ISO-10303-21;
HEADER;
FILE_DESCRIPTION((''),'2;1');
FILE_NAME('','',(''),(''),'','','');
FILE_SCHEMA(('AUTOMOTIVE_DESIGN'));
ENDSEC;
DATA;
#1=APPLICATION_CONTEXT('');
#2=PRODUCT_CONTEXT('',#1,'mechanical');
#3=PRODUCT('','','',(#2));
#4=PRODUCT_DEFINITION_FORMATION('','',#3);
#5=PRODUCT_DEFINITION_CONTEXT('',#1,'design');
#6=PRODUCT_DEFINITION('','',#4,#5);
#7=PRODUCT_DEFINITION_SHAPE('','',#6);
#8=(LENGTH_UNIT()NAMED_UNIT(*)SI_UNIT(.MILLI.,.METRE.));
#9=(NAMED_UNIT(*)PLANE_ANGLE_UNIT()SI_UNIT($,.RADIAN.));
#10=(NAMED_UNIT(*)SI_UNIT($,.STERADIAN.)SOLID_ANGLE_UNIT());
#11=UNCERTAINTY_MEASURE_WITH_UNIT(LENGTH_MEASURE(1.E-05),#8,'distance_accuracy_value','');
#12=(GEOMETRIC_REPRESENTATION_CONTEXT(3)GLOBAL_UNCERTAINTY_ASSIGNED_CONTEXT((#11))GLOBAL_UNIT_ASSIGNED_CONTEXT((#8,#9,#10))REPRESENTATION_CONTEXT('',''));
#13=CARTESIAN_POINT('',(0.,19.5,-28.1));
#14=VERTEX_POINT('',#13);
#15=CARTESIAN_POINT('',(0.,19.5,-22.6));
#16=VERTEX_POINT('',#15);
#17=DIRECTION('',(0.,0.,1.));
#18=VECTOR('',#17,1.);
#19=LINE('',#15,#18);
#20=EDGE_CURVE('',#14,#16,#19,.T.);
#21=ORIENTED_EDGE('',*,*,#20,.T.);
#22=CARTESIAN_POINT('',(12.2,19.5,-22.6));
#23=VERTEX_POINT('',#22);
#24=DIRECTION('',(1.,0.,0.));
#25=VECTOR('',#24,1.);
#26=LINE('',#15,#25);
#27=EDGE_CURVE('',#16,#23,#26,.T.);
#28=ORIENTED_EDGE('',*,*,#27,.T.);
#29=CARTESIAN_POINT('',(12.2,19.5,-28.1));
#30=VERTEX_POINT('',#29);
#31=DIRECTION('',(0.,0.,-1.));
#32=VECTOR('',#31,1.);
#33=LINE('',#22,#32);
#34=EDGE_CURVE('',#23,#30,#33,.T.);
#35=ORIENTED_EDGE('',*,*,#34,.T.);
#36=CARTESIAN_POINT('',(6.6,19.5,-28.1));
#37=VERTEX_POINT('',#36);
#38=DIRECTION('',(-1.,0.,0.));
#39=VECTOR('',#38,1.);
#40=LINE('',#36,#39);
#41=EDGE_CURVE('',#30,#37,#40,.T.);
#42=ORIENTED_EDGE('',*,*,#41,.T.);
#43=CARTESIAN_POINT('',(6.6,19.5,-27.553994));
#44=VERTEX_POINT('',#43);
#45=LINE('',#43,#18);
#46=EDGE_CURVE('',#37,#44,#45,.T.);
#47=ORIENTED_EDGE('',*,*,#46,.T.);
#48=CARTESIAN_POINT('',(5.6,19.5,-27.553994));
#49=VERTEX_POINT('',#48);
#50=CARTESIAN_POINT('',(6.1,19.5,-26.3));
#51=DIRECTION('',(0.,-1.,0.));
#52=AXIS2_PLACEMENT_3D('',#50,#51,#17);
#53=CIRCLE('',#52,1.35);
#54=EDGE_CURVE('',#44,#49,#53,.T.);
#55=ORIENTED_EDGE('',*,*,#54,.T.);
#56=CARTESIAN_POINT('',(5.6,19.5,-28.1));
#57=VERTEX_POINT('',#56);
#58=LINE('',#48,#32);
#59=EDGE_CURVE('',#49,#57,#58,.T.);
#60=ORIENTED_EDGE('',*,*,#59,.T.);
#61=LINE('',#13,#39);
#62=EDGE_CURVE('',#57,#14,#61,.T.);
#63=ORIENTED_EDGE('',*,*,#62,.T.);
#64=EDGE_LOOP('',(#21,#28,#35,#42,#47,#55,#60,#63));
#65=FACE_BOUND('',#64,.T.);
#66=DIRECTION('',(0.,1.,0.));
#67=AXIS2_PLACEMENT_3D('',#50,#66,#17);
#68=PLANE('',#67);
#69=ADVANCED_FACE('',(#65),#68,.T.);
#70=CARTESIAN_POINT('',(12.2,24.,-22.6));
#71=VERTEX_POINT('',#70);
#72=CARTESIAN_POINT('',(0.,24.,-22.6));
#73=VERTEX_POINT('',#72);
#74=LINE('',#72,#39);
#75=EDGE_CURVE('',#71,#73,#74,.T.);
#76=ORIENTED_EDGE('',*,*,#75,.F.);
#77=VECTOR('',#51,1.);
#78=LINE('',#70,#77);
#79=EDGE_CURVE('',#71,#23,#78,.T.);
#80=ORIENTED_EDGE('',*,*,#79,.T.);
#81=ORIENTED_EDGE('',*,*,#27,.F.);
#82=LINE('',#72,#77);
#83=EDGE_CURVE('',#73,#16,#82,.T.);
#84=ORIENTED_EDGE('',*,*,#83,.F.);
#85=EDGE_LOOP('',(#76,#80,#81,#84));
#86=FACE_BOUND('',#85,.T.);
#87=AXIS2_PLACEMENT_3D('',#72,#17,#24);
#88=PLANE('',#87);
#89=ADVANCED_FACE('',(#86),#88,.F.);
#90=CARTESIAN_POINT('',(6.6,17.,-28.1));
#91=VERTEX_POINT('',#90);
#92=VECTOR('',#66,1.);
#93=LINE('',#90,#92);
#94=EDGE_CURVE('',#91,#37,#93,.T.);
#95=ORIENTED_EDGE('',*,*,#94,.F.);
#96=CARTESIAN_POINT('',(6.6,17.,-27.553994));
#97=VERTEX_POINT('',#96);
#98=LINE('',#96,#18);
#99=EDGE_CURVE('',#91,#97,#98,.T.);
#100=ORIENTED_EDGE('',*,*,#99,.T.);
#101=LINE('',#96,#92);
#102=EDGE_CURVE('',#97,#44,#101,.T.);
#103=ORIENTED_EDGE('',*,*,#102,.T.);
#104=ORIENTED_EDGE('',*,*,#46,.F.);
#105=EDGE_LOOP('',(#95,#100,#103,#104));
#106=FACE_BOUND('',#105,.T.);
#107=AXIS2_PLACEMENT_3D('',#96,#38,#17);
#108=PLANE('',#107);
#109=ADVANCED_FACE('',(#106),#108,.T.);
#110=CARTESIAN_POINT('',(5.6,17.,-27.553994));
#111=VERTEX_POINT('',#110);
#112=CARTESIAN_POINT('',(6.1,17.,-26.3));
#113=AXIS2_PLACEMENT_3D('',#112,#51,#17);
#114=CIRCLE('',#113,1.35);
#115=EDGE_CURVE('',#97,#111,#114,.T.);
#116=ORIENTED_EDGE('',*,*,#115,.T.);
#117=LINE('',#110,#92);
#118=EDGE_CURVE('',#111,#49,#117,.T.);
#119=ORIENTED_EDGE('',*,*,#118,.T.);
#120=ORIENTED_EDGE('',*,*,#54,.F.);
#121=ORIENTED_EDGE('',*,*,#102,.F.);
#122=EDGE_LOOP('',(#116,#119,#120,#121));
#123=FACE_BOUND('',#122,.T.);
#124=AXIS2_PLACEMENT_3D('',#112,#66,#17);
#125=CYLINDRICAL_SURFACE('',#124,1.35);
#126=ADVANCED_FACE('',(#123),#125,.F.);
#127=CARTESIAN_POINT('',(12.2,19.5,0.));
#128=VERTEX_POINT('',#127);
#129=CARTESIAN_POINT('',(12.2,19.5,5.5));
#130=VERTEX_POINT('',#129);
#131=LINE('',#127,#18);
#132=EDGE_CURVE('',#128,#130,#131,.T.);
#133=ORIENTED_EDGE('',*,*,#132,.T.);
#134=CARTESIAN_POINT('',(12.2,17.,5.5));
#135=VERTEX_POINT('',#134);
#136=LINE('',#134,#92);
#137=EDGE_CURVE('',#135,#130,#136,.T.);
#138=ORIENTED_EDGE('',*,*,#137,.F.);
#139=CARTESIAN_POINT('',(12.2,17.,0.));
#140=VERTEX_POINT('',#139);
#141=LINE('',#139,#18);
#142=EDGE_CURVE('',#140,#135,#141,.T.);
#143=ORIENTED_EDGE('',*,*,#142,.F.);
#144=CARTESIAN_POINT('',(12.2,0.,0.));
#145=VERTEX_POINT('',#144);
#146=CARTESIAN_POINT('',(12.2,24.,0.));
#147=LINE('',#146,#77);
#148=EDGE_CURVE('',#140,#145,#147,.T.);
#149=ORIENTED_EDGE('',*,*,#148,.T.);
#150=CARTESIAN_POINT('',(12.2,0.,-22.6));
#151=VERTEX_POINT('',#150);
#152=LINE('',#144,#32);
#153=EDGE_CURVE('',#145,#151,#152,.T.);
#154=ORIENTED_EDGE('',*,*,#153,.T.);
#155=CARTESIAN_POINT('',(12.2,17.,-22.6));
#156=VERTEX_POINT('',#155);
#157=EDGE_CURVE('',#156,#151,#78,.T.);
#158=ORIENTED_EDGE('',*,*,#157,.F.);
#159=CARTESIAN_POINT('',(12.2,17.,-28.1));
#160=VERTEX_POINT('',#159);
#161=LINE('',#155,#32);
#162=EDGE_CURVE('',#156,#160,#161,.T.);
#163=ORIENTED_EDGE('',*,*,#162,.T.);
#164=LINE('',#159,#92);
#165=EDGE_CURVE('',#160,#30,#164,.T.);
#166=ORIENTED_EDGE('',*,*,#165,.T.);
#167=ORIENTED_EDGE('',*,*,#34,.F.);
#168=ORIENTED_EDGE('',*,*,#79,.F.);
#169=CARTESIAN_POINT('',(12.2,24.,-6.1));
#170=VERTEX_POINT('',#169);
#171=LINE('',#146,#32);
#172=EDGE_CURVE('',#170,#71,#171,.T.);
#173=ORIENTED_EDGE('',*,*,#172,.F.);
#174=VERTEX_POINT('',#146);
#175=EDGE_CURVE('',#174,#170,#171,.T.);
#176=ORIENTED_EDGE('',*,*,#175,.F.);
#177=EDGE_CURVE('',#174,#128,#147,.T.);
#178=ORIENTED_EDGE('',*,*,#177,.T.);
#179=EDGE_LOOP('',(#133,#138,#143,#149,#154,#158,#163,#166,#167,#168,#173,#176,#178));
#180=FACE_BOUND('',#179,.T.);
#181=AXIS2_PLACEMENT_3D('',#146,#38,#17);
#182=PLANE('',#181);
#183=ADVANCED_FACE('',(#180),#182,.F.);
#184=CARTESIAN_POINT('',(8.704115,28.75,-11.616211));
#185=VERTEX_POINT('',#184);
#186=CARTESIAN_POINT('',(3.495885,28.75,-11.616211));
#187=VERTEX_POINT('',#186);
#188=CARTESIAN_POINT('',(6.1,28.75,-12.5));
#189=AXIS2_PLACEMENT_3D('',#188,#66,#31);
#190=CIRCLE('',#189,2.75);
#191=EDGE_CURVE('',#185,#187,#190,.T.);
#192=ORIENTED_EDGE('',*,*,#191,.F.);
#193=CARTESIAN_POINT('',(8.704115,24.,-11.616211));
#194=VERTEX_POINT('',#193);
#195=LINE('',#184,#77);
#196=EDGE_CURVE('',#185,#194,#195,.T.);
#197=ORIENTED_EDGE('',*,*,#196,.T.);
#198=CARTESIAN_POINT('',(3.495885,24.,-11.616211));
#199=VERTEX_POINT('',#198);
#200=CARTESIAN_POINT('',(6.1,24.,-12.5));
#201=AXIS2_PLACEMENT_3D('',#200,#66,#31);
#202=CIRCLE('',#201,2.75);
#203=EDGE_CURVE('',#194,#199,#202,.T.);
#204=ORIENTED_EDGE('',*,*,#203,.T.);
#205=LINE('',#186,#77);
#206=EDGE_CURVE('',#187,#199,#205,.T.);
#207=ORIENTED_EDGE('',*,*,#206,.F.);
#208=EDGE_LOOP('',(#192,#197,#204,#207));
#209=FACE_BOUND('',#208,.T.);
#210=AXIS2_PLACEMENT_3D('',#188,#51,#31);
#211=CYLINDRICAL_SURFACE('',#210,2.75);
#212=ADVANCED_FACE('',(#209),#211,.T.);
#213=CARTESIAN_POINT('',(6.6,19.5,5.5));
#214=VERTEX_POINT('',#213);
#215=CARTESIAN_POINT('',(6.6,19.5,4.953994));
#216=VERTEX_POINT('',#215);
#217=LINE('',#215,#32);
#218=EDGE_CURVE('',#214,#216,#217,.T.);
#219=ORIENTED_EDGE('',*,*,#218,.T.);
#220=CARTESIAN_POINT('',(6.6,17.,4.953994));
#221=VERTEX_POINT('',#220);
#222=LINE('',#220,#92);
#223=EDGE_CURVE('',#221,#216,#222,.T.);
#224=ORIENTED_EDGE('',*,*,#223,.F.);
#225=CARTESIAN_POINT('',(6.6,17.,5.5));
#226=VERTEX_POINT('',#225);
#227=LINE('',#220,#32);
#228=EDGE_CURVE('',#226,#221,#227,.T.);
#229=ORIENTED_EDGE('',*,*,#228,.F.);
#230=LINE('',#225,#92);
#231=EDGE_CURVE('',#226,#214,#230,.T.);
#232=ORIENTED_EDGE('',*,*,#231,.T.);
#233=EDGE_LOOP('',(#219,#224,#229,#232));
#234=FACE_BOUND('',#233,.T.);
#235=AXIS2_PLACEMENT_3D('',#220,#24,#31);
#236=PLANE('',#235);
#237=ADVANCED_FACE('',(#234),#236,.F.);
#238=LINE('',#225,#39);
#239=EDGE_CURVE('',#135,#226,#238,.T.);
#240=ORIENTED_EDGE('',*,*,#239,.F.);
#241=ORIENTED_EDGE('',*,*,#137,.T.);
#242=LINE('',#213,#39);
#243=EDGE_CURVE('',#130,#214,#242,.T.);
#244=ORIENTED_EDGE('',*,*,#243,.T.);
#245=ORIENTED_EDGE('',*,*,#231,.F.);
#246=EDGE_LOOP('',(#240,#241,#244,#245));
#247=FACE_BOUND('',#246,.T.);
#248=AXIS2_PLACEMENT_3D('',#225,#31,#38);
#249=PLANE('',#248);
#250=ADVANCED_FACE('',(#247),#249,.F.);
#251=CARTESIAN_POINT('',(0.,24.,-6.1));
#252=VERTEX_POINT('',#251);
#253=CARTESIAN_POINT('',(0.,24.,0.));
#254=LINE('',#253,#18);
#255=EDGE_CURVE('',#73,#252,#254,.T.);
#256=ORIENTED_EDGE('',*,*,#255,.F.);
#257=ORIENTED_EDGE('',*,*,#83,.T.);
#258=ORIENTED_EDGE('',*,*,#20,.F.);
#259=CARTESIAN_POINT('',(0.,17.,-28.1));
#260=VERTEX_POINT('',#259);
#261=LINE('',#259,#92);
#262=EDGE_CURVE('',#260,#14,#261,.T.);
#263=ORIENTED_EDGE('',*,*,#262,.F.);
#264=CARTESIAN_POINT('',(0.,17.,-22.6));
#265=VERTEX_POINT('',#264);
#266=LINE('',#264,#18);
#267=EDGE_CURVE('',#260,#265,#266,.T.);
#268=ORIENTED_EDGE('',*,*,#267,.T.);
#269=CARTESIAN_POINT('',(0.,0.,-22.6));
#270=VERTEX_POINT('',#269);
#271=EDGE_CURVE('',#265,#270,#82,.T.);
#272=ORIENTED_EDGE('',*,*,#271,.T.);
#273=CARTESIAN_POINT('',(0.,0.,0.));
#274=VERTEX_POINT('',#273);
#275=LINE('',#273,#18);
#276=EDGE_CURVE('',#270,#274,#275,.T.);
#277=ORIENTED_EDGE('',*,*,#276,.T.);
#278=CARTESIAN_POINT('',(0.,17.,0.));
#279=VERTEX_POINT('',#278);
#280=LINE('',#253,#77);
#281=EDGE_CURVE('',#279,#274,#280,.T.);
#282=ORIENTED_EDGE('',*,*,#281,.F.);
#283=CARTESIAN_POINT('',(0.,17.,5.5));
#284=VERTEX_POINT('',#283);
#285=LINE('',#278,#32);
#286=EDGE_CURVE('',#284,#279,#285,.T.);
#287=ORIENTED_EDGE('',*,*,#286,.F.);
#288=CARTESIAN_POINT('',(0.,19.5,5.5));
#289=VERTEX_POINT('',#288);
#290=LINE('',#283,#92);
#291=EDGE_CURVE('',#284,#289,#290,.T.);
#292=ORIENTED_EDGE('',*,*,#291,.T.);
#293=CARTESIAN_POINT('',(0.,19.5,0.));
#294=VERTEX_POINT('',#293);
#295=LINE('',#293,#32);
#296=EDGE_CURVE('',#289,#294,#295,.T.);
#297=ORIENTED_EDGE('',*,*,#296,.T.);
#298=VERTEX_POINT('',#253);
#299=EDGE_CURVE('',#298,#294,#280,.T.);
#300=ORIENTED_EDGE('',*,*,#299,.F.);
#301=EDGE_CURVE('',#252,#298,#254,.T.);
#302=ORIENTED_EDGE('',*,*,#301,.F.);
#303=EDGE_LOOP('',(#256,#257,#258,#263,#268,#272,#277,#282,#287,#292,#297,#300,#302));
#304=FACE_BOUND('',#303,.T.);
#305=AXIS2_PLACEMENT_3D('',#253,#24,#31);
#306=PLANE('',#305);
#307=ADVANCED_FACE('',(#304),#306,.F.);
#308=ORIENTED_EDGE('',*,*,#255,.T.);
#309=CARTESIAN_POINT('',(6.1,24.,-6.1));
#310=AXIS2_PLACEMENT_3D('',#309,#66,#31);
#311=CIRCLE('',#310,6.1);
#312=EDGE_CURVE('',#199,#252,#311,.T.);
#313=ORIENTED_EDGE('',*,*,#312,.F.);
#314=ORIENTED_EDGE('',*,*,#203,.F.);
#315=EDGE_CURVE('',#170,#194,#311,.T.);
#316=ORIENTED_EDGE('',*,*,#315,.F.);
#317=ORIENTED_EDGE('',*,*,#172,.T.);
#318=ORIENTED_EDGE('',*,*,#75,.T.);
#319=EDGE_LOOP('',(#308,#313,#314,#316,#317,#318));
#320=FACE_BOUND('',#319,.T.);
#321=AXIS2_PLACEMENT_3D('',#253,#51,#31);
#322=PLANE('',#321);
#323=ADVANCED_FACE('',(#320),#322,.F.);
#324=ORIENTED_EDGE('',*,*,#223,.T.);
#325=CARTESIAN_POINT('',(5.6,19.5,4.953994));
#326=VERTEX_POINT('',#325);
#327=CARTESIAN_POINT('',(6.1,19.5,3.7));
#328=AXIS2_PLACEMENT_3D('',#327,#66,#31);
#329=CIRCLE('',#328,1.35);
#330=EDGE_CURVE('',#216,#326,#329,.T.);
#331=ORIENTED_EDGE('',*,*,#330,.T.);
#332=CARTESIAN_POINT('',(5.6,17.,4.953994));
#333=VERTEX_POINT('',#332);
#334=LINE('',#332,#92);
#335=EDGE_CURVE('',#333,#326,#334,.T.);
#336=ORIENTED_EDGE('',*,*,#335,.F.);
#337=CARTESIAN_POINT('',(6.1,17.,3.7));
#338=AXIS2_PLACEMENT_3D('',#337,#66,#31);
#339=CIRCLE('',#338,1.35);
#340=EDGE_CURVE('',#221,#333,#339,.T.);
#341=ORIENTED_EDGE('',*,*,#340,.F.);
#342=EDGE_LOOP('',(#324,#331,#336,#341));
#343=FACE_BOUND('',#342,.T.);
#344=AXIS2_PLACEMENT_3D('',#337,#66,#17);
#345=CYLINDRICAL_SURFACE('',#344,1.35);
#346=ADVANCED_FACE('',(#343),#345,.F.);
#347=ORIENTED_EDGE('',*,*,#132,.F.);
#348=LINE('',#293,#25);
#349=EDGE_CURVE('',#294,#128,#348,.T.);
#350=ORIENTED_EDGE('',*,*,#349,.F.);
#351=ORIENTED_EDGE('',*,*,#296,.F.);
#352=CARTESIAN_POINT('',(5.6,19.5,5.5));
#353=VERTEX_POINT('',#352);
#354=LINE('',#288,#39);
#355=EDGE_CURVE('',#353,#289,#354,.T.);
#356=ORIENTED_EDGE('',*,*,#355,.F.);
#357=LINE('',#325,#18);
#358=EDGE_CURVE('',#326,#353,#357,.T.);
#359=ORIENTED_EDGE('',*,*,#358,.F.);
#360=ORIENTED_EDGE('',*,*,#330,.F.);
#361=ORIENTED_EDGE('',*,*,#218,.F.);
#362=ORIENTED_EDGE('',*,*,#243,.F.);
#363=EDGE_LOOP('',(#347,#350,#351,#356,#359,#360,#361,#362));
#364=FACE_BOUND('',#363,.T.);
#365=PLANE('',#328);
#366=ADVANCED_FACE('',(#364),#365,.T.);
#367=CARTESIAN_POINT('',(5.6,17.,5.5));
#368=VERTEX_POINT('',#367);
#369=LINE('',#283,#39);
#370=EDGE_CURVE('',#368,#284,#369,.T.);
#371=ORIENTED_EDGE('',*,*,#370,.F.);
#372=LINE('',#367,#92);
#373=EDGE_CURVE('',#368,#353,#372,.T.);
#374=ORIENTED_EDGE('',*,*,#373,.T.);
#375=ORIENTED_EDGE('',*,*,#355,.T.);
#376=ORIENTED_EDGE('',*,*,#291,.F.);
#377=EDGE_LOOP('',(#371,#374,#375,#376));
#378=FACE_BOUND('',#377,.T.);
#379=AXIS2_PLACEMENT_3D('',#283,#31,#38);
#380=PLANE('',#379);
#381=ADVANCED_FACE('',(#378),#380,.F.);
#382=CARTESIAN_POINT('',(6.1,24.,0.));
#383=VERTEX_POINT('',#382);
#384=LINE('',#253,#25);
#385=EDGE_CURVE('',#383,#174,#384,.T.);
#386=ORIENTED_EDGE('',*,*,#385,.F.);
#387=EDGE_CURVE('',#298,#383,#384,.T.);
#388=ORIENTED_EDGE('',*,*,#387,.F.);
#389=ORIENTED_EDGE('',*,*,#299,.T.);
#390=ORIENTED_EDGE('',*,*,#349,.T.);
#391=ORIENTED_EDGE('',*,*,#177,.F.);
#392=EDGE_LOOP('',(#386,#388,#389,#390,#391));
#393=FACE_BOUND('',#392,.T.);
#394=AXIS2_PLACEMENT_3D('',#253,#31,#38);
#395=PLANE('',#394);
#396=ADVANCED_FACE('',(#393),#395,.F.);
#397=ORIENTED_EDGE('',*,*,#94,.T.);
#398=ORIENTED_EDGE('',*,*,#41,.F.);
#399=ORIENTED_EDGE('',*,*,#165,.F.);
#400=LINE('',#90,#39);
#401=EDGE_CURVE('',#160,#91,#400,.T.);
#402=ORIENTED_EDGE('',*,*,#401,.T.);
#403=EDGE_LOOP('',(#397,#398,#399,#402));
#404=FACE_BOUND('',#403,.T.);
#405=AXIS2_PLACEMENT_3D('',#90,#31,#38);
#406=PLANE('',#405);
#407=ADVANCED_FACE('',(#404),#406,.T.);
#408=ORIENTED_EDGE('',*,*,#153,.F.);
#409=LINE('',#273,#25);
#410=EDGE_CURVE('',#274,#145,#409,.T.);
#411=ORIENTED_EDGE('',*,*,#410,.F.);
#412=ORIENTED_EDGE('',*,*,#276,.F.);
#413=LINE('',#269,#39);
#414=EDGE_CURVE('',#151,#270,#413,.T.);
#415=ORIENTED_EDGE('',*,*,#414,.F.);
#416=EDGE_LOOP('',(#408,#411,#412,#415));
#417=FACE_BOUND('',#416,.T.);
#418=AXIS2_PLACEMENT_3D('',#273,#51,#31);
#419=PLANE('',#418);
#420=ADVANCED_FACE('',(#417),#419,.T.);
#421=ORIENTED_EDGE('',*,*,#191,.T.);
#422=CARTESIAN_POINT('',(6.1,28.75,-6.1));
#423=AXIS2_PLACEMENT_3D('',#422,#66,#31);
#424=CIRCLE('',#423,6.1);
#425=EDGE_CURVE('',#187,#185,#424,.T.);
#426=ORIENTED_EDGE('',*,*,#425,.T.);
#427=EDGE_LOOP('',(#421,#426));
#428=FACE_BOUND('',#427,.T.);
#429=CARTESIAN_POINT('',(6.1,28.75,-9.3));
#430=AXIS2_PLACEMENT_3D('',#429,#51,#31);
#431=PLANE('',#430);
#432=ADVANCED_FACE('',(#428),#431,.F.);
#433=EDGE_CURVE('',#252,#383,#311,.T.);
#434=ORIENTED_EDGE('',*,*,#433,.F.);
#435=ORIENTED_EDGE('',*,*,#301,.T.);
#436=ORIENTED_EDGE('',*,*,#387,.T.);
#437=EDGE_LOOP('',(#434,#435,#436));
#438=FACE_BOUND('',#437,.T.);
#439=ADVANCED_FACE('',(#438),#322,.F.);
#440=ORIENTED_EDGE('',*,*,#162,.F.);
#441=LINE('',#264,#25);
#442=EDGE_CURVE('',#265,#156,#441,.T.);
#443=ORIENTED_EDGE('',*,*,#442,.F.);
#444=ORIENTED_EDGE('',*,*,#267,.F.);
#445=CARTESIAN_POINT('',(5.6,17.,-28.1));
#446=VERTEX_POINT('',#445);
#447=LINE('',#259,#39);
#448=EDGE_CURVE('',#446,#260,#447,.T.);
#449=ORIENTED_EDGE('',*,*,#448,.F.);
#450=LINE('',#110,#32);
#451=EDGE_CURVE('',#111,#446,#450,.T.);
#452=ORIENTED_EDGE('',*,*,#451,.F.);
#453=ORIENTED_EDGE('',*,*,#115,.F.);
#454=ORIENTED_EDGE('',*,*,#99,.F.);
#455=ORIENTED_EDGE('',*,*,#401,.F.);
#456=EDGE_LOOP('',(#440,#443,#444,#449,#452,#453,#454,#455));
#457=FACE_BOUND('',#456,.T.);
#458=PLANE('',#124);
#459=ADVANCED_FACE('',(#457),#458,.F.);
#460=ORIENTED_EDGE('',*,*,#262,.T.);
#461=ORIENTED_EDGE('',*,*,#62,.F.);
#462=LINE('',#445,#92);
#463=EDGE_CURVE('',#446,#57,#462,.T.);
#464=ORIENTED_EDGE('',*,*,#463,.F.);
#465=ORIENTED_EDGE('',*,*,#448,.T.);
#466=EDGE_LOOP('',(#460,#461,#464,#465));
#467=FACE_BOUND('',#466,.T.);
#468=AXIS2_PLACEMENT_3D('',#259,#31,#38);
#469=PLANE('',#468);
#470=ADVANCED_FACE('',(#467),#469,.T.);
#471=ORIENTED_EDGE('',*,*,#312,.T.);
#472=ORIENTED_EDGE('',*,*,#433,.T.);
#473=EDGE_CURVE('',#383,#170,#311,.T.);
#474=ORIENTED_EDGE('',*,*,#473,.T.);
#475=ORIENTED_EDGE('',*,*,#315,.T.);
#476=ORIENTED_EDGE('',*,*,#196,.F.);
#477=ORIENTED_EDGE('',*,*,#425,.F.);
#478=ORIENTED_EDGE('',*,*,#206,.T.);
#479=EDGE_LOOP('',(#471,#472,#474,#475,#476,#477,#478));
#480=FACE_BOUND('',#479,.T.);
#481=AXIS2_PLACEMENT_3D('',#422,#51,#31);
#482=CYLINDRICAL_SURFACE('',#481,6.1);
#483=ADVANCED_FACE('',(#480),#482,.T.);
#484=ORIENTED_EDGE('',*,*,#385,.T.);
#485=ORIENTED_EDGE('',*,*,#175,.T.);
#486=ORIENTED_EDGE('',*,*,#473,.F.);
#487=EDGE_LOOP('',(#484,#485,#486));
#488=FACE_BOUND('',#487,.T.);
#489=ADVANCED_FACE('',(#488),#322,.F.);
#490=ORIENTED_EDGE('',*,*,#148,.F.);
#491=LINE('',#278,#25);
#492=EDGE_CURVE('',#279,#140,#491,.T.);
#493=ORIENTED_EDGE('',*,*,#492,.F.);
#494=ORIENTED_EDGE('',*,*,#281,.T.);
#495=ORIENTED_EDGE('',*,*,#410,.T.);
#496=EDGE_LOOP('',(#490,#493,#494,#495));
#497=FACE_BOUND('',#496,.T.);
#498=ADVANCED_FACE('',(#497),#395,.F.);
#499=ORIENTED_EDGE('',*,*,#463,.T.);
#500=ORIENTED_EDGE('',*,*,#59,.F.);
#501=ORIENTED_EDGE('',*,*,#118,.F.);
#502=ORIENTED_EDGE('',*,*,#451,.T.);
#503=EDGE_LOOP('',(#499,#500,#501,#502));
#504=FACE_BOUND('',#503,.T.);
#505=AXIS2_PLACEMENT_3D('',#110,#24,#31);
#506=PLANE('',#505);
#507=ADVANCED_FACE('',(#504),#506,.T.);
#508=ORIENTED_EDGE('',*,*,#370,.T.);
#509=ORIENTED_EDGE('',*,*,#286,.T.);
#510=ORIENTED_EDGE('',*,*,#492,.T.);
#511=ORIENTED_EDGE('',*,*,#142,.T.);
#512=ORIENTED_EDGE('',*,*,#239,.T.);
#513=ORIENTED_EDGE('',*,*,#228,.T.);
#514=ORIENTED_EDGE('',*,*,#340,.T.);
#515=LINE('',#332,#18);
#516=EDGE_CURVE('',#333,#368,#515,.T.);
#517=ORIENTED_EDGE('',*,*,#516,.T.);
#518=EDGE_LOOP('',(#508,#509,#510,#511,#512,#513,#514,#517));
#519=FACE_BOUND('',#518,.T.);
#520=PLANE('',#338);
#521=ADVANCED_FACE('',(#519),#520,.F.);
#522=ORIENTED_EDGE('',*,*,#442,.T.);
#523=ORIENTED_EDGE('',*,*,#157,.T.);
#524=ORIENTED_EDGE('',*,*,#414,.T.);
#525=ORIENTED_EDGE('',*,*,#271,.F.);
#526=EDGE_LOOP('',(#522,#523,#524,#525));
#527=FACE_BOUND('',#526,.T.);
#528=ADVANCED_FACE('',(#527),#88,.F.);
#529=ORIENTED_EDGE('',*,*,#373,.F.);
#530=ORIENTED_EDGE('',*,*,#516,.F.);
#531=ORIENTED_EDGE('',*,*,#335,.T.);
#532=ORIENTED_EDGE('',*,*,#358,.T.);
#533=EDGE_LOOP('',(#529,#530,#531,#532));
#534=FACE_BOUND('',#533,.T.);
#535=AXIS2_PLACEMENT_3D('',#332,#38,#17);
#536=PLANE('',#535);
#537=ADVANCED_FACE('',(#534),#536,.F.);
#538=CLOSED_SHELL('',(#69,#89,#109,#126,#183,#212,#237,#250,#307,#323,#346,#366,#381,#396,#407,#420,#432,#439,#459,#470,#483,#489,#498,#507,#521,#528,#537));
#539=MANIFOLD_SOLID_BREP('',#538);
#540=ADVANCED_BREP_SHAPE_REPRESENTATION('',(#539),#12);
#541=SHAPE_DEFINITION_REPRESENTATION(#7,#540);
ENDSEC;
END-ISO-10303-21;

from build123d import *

# Parameters (mm, degrees)
SKETCH1_W           = 12.2
SKETCH1_H           = 22.6
BOSS_EXTRUDE1_DEPTH = 24
BOSS_EXTRUDE2_DEPTH = 2.5
BOSS_EXTRUDE3_DEPTH = 4.75


with BuildPart() as part:
    # Sketch1 → Boss-Extrude1 (new body)
    with BuildSketch(Plane(origin=(0, 0, 0), x_dir=(1, 0, 0), z_dir=(0, 1, 0))):
        with Locations((6.1, 11.3)):
            Rectangle(SKETCH1_W, SKETCH1_H)
    extrude(amount=BOSS_EXTRUDE1_DEPTH)

    # Sketch2 → Boss-Extrude2 (add)
    with BuildSketch(Plane(origin=(0, 19.5, 0), x_dir=(1, 0, 0), z_dir=(0, 1, 0))):
        with BuildLine():
            Line((0, 22.6), (12.2, 22.6))
            Line((12.2, 22.6), (12.2, 28.1))
            Line((12.2, 28.1), (6.6, 28.1))
            Line((6.6, 28.1), (6.6, 27.55399362))
            ThreePointArc((6.6, 27.55399362), (6.1, 24.95), (5.6, 27.55399362))
            Line((5.6, 27.55399362), (5.6, 28.1))
            Line((5.6, 28.1), (0, 28.1))
            Line((0, 28.1), (0, 22.6))
        make_face()
    boss_extrude2 = extrude(amount=-BOSS_EXTRUDE2_DEPTH)

    # Mirror1: Boss-Extrude2 across plane
    add(boss_extrude2.mirror(Plane.XY.offset(-11.3)))

    # Sketch6 → Boss-Extrude3 (add)
    with BuildSketch(Plane(origin=(0, 24, 0), x_dir=(1, 0, 0), z_dir=(0, 1, 0))):
        with BuildLine():
            ThreePointArc((8.704115376, 11.616210937), (6.1, 0), (3.495884624, 11.616210937))
            ThreePointArc((3.495884624, 11.616210937), (6.1, 15.25), (8.704115376, 11.616210937))
        make_face()
    extrude(amount=BOSS_EXTRUDE3_DEPTH)


solid = part.part
